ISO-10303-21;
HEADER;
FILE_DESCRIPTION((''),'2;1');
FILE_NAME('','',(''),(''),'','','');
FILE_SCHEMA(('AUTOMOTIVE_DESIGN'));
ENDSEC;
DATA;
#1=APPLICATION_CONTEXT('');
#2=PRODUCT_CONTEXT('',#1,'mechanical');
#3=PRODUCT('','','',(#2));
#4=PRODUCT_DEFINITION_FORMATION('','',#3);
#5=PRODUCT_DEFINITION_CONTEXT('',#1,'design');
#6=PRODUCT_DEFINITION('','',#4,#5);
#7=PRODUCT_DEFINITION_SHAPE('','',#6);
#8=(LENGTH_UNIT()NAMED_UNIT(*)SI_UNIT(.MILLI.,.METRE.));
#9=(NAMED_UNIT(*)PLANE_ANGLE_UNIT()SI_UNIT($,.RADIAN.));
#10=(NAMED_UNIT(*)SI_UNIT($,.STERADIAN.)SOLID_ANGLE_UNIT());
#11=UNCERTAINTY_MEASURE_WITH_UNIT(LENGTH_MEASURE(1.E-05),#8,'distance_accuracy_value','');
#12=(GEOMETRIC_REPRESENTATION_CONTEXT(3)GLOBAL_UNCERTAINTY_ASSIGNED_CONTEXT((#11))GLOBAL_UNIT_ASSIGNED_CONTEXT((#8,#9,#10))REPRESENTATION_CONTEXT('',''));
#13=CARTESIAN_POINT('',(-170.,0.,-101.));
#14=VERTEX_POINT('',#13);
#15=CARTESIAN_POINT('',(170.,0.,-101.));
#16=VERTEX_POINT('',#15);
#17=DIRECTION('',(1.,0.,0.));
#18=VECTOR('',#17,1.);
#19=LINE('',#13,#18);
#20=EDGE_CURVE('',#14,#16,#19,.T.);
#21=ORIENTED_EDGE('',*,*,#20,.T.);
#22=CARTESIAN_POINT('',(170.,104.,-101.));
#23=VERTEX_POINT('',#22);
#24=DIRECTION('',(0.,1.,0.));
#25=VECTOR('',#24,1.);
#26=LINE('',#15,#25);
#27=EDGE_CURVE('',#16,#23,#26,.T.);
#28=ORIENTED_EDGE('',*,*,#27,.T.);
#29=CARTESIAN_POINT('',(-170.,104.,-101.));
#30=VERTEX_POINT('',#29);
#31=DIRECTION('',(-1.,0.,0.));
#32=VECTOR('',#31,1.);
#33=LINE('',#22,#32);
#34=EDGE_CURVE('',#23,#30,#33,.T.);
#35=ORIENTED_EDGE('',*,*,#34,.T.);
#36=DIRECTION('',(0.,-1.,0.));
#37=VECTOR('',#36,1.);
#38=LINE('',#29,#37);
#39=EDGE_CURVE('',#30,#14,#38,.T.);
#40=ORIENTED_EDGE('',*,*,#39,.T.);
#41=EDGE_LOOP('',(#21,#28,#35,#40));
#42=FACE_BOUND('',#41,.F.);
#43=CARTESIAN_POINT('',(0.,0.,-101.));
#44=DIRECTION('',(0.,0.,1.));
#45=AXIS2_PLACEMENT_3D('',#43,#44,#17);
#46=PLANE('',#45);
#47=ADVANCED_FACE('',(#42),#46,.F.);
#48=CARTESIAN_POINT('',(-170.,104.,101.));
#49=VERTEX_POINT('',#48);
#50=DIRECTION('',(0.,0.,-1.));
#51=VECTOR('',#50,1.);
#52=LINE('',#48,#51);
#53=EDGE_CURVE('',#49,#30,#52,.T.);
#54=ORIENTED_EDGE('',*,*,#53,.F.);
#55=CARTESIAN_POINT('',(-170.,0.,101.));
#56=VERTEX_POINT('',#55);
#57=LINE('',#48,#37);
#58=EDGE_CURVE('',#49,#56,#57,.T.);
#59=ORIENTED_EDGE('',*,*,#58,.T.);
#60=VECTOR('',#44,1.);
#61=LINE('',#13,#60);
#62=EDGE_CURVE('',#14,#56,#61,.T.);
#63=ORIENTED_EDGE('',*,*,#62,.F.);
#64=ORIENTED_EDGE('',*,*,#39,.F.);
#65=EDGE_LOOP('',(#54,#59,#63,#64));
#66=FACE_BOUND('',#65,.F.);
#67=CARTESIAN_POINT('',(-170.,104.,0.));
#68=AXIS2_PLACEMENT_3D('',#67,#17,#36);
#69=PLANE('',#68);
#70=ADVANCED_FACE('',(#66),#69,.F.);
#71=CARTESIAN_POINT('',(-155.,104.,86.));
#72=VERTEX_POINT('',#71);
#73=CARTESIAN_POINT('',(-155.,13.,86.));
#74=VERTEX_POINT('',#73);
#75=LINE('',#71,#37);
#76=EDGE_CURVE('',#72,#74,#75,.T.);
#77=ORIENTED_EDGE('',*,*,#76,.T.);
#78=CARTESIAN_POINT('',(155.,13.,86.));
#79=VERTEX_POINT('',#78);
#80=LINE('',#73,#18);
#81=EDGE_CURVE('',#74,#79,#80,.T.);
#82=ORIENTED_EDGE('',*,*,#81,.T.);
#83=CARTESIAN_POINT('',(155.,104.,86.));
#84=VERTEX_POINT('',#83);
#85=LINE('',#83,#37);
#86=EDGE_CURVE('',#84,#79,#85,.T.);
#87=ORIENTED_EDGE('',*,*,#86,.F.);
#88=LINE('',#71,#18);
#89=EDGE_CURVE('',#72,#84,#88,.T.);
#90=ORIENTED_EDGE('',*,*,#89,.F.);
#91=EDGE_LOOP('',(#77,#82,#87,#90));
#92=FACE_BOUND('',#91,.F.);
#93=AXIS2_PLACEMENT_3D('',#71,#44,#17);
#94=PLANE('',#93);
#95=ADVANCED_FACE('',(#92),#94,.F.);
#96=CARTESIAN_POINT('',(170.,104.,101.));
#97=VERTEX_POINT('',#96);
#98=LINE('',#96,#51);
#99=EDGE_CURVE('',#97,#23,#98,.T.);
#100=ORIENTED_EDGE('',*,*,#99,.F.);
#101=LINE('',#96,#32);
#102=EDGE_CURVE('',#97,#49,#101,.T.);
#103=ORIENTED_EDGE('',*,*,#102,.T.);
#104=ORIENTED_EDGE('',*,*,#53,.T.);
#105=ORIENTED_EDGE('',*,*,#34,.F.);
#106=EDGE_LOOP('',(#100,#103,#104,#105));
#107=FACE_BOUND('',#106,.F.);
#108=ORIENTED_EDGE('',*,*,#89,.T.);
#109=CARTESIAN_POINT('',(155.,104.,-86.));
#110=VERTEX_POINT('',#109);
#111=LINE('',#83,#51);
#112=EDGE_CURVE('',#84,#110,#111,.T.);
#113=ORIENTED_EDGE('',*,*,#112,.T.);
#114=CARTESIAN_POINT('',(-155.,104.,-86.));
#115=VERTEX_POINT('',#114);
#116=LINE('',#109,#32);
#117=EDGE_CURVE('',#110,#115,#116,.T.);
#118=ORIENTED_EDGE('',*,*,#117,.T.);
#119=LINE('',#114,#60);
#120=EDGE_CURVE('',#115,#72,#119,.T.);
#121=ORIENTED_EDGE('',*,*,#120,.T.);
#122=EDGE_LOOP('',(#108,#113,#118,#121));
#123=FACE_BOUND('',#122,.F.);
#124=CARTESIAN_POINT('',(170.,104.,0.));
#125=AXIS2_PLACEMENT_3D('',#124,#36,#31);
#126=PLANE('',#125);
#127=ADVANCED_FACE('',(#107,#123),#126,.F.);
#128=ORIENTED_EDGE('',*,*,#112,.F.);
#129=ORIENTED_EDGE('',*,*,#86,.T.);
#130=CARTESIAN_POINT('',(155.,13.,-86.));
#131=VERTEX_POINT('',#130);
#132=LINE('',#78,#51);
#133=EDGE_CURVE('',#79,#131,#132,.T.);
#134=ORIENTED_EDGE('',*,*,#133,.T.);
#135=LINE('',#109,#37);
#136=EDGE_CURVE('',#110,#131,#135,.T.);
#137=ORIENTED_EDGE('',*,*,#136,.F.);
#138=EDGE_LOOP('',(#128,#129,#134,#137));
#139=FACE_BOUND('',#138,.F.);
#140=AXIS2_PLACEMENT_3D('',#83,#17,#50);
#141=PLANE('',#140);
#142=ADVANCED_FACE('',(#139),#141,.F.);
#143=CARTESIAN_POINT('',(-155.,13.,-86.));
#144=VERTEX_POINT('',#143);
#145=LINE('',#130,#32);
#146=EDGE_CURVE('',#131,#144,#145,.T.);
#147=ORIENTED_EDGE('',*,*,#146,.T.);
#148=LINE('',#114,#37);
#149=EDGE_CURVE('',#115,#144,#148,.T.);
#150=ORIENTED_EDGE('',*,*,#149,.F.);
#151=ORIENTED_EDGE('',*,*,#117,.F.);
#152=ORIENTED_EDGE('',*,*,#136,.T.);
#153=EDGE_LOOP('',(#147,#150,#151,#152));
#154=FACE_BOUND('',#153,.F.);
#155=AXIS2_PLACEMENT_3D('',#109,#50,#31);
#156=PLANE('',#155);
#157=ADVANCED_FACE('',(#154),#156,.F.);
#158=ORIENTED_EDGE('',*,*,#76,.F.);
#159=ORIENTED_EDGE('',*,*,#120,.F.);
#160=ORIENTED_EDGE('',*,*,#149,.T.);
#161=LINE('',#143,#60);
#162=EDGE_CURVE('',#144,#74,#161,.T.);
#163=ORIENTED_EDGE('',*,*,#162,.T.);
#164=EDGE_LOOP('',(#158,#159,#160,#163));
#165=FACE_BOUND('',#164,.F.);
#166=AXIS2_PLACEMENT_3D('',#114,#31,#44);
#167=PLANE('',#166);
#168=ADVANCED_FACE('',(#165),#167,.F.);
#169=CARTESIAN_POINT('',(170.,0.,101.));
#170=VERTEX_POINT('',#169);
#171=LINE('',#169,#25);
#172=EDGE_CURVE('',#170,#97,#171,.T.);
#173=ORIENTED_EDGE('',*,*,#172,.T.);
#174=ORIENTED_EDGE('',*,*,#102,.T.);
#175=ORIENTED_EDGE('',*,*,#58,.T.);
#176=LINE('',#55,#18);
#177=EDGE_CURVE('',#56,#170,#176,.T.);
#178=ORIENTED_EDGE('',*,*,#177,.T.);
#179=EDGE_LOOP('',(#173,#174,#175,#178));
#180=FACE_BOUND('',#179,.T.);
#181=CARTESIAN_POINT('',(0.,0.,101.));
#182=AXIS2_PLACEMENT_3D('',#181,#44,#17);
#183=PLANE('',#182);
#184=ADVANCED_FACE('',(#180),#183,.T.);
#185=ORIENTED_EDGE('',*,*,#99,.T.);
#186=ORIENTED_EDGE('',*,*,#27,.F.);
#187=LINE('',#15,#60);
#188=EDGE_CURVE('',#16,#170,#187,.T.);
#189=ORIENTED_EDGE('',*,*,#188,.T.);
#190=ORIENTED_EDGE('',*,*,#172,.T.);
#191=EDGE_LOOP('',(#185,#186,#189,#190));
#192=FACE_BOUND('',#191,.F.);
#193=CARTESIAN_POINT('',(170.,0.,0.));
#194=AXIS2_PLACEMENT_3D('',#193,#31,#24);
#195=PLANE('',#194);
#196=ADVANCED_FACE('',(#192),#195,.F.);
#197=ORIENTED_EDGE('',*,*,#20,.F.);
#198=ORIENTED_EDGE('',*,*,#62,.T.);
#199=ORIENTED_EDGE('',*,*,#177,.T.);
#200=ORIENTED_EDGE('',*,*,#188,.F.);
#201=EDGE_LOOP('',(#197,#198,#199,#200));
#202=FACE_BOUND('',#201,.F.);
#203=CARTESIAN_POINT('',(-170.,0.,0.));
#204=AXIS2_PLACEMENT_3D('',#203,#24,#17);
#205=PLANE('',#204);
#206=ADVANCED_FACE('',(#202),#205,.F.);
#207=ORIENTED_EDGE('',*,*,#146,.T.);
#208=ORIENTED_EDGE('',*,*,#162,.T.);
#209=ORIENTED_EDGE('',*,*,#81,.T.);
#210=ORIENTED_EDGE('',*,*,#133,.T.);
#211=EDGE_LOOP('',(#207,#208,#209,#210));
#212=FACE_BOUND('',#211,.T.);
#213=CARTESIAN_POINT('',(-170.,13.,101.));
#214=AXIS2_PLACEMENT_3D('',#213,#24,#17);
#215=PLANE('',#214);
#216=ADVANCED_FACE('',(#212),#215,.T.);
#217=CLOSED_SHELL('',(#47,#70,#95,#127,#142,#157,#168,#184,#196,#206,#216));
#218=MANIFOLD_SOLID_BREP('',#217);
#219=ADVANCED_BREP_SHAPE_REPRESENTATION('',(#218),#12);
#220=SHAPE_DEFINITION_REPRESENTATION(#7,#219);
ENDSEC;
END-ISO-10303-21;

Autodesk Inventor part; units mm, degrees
ref_plane "YZ Plane" through (0, 0, 0) normal (1, 0, 0) x (0, 1, 0)
ref_plane "XZ Plane" through (0, 0, 0) normal (0, 1, 0) x (-1, 0, 0)
ref_plane "XY Plane" through (0, 0, 0) normal (0, 0, 1) x (1, 0, 0)
sketch "Skizze3" plane through (0, 0, 0) normal (0, 0, 1) x (1, 0, 0)
  line L0 (-170, 0) -> (170, 0)
  line L1 (170, 0) -> (170, 104)
  line L2 (170, 104) -> (-170, 104)
  line L3 (-170, 104) -> (-170, 0)
  point P0 (0, 0)
  dimension "d3" = 340
  dimension "d4" = 104
extrude "Extrusion1" add sketch "Skizze3" along normal mid plane 202
sketch "Skizze4" plane through (-170, 104, 101) normal (0, 1, 0) x (1, 0, 0)
  line L0 (15, 15) -> (325, 15)
  line L1 (325, 15) -> (325, 187)
  line L2 (325, 187) -> (15, 187)
  line L3 (15, 187) -> (15, 15)
  point P0 (170, 101)
  dimension "d7" = 310
  dimension "d8" = 172
extrude "Extrusion2" cut sketch "Skizze4" against normal blind 91
properties part number "wassertank"
